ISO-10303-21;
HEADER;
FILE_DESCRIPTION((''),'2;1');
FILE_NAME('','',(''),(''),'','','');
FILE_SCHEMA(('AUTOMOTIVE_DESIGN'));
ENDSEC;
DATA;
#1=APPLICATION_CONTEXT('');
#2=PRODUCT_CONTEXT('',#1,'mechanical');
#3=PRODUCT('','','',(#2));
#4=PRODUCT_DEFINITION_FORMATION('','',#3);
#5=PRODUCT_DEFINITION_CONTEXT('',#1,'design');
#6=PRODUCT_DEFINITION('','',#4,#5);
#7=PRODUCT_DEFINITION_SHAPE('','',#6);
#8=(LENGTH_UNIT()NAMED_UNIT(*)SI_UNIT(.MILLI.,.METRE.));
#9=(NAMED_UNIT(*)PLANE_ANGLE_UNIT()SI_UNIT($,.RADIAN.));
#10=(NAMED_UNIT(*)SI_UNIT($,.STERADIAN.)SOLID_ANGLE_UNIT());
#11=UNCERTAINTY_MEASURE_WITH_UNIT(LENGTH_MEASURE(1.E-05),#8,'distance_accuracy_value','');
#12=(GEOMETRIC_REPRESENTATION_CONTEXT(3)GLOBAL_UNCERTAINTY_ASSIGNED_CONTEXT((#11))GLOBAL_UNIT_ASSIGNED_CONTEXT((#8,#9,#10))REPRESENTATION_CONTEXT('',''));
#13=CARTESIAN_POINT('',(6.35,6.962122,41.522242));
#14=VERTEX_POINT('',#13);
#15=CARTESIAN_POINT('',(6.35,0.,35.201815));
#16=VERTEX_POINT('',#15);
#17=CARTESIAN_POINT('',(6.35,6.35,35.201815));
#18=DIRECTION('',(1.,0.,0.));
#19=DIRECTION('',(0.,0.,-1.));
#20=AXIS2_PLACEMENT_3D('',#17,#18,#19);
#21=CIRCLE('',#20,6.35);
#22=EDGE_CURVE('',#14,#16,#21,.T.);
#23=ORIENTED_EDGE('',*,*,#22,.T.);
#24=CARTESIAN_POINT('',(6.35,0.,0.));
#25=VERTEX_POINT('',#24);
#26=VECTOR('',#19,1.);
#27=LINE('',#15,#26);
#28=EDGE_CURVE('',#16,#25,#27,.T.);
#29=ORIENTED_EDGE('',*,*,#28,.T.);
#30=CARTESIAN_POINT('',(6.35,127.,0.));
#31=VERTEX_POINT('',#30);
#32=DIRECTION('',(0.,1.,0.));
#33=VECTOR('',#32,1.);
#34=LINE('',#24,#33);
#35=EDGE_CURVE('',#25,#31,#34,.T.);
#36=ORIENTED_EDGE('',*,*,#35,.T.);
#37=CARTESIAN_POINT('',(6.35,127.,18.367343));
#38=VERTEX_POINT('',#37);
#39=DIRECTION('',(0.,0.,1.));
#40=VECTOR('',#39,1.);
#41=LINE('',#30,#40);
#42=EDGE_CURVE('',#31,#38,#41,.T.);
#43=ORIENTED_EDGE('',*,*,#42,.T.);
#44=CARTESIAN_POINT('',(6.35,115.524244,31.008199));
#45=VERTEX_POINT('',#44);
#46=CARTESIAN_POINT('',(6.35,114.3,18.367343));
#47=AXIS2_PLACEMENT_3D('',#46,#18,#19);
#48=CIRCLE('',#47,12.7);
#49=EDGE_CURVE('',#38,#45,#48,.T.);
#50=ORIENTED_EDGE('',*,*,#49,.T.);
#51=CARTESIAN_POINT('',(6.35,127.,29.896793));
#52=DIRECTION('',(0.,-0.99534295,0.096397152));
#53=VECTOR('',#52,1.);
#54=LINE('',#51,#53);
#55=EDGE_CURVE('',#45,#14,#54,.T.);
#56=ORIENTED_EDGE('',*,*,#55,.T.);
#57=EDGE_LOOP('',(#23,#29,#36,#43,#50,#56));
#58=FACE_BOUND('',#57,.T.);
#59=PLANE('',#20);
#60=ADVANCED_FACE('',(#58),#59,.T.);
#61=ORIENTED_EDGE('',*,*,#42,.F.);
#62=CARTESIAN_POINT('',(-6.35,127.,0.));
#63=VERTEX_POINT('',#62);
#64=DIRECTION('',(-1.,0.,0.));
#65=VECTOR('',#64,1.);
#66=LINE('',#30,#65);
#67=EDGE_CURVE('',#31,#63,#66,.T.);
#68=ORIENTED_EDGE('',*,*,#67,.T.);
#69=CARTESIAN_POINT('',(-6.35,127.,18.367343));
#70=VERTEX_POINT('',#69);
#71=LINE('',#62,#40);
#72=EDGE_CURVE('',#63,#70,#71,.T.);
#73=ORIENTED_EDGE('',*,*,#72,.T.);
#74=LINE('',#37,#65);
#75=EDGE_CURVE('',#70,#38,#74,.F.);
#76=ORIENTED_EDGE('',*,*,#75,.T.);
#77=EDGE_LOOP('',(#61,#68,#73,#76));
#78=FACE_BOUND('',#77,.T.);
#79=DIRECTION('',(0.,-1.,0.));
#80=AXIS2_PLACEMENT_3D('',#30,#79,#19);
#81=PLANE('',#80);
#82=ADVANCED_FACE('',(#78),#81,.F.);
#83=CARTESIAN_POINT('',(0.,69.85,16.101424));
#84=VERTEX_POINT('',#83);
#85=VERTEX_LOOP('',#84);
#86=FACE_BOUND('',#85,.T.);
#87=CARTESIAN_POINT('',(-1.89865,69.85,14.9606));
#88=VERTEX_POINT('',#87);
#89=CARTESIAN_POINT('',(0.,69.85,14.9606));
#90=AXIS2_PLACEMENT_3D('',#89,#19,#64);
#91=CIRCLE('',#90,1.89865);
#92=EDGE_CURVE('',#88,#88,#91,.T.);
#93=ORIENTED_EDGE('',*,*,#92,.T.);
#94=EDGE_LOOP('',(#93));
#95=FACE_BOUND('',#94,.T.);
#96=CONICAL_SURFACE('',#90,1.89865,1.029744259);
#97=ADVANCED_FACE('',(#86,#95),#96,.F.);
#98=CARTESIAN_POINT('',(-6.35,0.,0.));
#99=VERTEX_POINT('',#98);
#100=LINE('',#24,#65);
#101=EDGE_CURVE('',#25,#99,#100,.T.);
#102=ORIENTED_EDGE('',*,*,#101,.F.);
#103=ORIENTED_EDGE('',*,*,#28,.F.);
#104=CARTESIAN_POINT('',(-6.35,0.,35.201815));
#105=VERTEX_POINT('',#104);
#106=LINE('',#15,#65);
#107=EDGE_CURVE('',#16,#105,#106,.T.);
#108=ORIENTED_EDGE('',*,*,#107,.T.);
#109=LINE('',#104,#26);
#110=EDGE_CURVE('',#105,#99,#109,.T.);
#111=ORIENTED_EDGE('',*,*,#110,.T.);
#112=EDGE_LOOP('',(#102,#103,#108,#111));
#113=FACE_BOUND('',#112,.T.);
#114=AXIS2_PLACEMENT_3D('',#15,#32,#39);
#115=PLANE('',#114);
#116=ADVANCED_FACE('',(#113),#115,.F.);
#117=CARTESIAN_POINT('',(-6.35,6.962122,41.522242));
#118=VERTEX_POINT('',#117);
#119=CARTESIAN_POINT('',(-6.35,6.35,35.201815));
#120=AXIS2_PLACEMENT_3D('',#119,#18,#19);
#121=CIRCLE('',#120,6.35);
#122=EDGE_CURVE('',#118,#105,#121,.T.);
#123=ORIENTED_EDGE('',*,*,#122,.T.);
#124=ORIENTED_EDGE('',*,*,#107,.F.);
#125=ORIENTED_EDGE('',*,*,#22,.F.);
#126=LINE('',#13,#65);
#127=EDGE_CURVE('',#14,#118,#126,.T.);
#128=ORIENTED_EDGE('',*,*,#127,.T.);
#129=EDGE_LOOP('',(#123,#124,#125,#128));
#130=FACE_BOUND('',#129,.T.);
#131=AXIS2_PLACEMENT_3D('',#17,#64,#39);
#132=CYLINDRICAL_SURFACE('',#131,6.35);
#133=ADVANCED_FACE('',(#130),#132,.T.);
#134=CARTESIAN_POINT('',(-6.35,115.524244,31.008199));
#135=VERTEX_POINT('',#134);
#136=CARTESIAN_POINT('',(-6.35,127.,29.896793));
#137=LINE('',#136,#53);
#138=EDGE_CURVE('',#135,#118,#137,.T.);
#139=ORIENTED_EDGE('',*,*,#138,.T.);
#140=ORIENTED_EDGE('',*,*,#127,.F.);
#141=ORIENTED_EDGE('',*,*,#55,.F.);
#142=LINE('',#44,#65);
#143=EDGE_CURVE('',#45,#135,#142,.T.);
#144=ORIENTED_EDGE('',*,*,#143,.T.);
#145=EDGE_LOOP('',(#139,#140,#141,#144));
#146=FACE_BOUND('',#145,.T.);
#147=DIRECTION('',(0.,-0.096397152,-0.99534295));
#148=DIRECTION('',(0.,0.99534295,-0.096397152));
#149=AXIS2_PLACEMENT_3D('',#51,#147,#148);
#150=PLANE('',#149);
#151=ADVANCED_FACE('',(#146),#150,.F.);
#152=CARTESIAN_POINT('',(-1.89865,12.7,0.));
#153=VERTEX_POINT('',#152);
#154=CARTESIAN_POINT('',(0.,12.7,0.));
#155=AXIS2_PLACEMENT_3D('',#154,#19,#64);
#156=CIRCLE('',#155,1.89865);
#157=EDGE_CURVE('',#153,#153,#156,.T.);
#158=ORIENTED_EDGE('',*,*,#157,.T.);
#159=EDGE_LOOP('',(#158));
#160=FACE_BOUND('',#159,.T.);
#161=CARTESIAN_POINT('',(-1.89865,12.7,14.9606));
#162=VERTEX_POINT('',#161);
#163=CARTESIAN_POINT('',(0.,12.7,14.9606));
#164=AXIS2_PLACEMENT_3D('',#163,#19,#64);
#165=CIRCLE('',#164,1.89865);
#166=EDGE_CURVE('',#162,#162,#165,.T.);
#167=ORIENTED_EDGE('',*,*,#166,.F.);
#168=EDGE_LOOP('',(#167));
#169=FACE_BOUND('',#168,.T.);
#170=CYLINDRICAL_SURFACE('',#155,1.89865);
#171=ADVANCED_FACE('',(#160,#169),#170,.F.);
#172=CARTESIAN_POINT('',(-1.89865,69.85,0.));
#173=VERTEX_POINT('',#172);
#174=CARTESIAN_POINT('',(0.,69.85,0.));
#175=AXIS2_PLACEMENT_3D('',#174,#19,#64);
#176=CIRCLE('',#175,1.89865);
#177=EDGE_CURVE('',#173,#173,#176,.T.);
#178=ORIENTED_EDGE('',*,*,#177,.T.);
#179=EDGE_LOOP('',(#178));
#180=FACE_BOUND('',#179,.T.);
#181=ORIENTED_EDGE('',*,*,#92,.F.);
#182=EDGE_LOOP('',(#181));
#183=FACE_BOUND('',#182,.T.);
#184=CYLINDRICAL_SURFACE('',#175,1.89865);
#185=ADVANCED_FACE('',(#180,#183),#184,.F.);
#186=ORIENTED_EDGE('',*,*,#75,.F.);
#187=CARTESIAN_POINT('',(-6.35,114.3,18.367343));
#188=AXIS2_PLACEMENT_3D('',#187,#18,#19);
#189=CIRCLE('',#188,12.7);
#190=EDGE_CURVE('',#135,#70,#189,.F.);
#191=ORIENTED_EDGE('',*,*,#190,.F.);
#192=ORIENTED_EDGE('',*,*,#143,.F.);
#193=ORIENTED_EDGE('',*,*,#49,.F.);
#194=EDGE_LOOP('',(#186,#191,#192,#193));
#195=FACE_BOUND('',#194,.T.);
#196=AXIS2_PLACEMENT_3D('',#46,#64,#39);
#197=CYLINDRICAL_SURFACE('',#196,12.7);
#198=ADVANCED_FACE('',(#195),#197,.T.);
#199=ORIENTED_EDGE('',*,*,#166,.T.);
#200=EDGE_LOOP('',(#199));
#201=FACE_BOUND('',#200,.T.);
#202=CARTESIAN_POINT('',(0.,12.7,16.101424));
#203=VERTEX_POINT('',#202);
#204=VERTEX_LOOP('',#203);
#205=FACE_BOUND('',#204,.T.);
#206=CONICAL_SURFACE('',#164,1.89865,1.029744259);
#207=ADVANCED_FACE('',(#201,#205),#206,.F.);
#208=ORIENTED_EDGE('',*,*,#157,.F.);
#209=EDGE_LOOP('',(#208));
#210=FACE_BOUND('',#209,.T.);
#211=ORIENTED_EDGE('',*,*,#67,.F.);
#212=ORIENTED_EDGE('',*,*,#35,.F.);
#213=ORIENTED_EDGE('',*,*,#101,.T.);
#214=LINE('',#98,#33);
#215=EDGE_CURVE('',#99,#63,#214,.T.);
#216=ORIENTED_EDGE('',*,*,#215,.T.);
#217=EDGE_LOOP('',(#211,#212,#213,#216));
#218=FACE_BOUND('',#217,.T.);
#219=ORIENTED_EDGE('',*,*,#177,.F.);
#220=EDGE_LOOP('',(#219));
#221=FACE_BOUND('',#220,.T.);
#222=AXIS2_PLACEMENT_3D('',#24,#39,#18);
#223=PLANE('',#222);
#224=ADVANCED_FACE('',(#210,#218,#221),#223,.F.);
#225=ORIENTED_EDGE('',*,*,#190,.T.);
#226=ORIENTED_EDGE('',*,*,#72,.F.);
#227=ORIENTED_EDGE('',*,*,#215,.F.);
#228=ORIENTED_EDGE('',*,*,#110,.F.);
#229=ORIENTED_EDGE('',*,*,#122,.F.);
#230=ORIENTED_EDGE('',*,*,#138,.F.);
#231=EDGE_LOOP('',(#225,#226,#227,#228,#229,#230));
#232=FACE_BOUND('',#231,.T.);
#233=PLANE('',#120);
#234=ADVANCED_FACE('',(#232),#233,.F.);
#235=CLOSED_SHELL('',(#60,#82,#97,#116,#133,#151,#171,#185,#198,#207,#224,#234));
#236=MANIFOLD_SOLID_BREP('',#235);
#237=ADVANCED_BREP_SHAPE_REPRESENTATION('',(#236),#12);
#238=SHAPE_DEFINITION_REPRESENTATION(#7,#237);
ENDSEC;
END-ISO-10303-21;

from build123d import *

# Parameters (mm, degrees)
BOSS_EXTRUDE1_DEPTH        = 6.35
F_10_24_TAPPED_HOLE1_D     = 3.7973
F_10_24_TAPPED_HOLE1_DEPTH = 14.9606
F_10_24_TAPPED_HOLE1_TIP   = 1.140824014
FILLET1_R                  = 12.7


with BuildPart() as part:
    # Sketch1 → Boss-Extrude1 (new, symmetric)
    with BuildSketch(Plane(origin=(0, 0, 0), x_dir=(0, 0, -1), z_dir=(1, 0, 0))):
        with BuildLine():
            Line((0, 0), (0, 127))
            Line((0, 127), (-29.89679252, 127))
            Line((-29.89679252, 127), (-41.522242414, 6.962121916))
            ThreePointArc((-41.522242414, 6.962121916), (-39.903382192, 2.08177286), (-35.201814678, 0))
            Line((-35.201814678, 0), (0, 0))
        make_face()
    extrude(amount=BOSS_EXTRUDE1_DEPTH, both=True)

    # #10-24 Tapped Hole1
    with Locations(Plane(origin=(0, 0, 0), x_dir=(-1, 0, 0), z_dir=(0, 0, -1))):
        with Locations((0, 12.7), (0, 69.85)):
            Hole(F_10_24_TAPPED_HOLE1_D / 2, depth=F_10_24_TAPPED_HOLE1_DEPTH)
            with Locations((0, 0, -(F_10_24_TAPPED_HOLE1_DEPTH + F_10_24_TAPPED_HOLE1_TIP / 2))):  # 118° drill point
                Cone(0, F_10_24_TAPPED_HOLE1_D / 2, F_10_24_TAPPED_HOLE1_TIP, mode=Mode.SUBTRACT)

    # Fillet1
    fillet1_edges = [part.edges().sort_by_distance(p)[0] for p in [
        (0, 127, 29.89679252),
    ]]
    fillet(fillet1_edges, radius=FILLET1_R)


solid = part.part
